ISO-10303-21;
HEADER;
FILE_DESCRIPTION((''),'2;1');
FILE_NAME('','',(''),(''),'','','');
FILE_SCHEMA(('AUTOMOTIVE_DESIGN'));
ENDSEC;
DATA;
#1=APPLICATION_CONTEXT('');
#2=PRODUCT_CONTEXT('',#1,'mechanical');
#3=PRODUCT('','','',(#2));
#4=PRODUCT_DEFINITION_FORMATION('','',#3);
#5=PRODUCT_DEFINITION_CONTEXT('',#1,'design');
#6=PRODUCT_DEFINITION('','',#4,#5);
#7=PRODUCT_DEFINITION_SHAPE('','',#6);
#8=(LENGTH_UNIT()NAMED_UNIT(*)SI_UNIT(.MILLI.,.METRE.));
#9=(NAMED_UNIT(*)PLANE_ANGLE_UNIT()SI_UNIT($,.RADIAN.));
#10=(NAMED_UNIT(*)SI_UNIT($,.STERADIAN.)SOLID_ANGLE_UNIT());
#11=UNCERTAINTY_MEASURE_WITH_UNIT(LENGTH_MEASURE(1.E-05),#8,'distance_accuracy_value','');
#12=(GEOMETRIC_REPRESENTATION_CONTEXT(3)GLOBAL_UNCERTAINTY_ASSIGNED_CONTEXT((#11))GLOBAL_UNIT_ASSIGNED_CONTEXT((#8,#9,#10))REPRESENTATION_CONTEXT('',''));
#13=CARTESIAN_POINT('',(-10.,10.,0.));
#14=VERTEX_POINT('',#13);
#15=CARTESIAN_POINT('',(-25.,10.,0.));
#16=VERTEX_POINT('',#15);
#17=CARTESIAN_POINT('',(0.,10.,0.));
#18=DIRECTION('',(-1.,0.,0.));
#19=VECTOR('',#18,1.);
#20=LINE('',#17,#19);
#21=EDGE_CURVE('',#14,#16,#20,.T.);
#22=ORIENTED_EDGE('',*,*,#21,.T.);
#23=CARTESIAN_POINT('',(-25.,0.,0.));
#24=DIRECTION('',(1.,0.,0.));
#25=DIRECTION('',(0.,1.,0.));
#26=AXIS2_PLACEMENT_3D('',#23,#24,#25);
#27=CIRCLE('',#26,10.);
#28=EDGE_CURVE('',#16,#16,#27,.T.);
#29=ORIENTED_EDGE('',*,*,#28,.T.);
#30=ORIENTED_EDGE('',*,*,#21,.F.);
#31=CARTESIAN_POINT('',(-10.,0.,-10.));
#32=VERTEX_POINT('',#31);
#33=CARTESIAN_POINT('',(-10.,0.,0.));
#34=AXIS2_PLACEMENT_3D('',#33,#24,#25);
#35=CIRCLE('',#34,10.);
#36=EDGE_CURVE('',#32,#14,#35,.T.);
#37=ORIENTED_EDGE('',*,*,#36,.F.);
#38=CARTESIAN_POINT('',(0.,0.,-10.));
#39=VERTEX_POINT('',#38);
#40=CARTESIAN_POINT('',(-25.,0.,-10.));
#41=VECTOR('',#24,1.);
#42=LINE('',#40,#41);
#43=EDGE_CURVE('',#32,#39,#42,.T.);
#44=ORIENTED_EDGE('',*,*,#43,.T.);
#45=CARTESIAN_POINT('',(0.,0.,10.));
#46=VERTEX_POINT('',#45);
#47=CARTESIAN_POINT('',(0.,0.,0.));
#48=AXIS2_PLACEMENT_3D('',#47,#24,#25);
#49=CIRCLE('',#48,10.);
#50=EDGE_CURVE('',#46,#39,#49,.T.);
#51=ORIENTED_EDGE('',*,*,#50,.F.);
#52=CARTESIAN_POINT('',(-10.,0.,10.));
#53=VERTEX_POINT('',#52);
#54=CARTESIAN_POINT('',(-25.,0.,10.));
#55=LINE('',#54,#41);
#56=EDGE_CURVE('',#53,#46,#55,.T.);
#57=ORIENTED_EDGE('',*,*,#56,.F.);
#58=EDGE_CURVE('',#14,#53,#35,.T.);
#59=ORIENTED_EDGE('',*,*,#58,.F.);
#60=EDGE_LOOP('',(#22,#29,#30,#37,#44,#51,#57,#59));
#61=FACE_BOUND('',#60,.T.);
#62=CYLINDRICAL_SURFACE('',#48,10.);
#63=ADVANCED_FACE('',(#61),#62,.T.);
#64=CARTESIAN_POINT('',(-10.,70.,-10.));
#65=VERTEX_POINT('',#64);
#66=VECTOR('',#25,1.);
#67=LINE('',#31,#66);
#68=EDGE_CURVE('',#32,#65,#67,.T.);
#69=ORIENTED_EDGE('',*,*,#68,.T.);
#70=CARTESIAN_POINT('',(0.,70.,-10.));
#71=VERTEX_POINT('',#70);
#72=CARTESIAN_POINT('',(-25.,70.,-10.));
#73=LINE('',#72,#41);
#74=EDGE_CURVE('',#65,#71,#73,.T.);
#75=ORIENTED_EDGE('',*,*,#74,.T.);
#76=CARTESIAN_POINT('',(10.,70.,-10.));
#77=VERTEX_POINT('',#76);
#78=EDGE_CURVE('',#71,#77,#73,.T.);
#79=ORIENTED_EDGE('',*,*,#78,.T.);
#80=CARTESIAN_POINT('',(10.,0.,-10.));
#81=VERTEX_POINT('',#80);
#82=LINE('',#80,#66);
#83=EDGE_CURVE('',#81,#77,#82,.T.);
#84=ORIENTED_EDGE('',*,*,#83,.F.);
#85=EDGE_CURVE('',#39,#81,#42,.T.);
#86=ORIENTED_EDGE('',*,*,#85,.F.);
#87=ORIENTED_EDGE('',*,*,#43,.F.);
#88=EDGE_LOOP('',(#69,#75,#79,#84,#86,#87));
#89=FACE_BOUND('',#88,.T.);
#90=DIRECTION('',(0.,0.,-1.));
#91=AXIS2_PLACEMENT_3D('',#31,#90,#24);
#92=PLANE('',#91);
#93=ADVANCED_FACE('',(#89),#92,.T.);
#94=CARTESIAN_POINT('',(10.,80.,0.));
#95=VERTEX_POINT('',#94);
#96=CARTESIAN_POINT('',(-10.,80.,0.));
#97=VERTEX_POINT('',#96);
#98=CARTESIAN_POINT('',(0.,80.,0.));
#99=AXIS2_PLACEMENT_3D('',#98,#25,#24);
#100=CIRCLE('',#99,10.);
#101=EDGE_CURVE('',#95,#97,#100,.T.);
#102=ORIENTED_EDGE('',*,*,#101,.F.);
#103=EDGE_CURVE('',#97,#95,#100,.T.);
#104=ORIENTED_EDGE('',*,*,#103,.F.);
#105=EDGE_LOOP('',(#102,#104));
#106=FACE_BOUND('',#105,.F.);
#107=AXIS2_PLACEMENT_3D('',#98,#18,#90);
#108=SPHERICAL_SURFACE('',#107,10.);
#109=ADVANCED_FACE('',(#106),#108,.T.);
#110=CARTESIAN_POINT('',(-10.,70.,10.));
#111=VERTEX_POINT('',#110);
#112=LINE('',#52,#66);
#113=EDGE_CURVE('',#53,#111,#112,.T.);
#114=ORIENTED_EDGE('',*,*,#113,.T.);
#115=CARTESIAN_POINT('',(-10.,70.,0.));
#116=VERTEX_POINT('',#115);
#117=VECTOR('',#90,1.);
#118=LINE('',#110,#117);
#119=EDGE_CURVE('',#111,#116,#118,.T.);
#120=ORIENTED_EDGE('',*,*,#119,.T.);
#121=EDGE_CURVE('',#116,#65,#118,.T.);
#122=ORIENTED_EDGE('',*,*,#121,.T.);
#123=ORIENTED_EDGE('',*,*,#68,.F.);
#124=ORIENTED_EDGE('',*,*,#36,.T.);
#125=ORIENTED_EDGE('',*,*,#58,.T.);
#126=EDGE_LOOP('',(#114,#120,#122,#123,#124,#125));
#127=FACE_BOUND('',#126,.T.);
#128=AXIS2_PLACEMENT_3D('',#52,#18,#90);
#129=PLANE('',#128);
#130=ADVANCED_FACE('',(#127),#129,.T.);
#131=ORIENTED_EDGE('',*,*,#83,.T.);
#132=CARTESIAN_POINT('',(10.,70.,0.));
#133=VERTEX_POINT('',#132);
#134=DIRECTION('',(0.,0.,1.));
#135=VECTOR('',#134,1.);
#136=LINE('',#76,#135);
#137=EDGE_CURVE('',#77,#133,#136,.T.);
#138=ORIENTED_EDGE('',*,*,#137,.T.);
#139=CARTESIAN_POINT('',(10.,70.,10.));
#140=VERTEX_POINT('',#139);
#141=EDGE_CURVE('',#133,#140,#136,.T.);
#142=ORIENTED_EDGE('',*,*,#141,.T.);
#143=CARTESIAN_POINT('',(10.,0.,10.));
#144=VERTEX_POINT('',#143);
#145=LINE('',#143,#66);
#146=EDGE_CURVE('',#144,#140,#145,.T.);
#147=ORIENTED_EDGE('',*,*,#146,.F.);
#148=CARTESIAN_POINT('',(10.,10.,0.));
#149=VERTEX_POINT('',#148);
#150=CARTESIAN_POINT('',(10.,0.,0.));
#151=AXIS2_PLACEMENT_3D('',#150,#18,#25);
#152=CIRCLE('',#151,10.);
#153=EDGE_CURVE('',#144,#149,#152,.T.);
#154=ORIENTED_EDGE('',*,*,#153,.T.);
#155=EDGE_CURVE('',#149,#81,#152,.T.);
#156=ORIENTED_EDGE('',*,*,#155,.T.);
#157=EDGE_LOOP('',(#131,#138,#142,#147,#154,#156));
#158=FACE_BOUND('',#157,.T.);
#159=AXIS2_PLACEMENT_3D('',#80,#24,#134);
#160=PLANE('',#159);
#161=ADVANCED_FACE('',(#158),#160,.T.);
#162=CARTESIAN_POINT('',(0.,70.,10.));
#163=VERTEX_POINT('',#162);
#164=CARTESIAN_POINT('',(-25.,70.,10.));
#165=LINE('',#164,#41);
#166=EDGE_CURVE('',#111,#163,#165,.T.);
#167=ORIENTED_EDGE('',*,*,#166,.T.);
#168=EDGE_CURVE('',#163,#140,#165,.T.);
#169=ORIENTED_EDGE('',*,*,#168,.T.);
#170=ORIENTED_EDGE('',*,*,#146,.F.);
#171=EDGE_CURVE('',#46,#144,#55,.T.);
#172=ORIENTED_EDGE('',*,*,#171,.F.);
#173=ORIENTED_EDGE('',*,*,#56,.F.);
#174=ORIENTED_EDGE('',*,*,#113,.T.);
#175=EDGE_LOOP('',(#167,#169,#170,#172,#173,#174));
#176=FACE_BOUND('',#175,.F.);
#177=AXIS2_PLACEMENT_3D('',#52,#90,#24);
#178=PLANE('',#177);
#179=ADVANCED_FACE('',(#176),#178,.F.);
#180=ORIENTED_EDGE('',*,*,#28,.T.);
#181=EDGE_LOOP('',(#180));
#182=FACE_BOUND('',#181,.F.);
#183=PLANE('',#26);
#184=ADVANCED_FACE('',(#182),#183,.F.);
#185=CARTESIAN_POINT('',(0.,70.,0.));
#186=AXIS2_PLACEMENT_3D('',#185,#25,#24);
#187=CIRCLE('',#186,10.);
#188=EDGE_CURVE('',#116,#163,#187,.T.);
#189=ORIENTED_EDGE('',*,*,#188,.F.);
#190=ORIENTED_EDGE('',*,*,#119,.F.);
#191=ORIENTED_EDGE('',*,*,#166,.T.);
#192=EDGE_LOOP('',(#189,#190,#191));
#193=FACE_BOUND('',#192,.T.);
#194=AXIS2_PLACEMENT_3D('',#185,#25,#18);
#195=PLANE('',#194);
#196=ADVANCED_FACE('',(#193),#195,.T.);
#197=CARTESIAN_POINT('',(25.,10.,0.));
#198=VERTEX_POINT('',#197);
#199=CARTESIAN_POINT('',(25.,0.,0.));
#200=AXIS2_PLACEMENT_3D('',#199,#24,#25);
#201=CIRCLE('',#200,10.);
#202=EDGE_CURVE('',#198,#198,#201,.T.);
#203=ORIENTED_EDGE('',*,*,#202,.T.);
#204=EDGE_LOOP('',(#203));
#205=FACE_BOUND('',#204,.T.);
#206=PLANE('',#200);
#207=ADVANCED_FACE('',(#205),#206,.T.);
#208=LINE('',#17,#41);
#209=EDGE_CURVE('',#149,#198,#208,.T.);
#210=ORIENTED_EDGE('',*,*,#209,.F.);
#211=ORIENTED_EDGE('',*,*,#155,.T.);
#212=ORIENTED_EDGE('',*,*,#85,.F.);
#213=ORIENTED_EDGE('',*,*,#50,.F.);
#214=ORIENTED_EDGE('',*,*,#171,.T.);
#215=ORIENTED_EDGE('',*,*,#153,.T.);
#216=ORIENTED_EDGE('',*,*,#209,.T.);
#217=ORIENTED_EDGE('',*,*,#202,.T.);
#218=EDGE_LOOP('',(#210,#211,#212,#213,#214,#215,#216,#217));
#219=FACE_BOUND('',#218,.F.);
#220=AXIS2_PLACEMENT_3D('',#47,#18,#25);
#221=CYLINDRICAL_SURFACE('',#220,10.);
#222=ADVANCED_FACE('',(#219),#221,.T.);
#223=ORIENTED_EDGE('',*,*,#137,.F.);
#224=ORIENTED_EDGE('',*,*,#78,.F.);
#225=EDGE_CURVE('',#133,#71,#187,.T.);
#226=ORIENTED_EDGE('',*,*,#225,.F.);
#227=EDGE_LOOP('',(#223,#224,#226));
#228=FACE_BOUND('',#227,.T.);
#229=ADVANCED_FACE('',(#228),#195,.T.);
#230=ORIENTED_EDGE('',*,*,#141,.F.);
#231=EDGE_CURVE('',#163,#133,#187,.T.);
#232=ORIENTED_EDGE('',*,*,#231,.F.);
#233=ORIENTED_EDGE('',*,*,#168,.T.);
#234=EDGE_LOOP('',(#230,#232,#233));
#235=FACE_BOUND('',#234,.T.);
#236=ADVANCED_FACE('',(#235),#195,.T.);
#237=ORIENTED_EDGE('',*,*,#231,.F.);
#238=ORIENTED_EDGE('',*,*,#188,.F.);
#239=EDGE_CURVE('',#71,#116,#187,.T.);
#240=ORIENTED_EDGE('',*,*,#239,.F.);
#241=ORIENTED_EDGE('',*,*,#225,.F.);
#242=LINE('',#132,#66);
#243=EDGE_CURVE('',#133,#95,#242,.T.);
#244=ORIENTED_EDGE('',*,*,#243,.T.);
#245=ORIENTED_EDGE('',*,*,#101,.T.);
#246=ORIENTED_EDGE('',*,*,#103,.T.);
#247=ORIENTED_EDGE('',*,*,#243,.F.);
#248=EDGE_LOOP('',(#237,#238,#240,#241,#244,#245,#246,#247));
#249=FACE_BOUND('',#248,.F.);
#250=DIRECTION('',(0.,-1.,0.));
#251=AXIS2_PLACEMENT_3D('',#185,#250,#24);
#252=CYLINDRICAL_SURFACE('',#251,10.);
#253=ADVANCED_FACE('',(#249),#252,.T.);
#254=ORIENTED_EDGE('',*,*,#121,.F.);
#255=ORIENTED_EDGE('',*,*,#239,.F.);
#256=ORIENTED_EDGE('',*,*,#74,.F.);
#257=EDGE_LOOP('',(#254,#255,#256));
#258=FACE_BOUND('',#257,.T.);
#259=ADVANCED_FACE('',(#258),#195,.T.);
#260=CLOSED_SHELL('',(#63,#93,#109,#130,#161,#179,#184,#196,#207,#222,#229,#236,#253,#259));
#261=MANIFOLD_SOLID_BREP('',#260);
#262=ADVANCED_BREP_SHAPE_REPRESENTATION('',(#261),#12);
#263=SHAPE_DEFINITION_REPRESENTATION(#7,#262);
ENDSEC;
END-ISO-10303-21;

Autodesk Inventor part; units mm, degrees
ref_plane "YZ Plane" through (0, 0, 0) normal (1, 0, 0) x (0, 1, 0)
ref_plane "XZ Plane" through (0, 0, 0) normal (0, 1, 0) x (-1, 0, 0)
ref_plane "XY Plane" through (0, 0, 0) normal (0, 0, 1) x (1, 0, 0)
sketch "스케치5" plane through (0, 0, 0) normal (1, 0, 0) x (0, 1, 0)
  circle A0 centre (0, 0) radius 10
  dimension "d11" = 20
extrude "돌출4" add sketch "스케치5" along normal mid plane 50
sketch "스케치6" plane through (0, 0, 0) normal (0, 1, 0) x (-1, 0, 0)
  line L0 (25, 10) -> (-25, 10) projected
  line L1 (25, -10) -> (-25, -10) projected
  line L2 (-10, 10) -> (10, 10)
  line L3 (10, 10) -> (10, -10)
  line L4 (10, -10) -> (-10, -10)
  line L5 (-10, -10) -> (-10, 10)
  line L6 (25, -10) -> (25, 10) projected
  point P0 (0, 0)
  dimension "d14" = 20
  dimension "d15" = 15
extrude "돌출5" add sketch "스케치6" along normal blind 70 contours L3 L1 L5 L0
sketch "스케치7" plane through (0, 70, 0) normal (0, 1, 0) x (1, 0, 0)
  circle A0 centre (0, 0) radius 10
  dimension "d18" = 20
extrude "돌출6" add sketch "스케치7" along normal blind 10
sketch "스케치8" plane through (0, 80, 0) normal (0, 1, 0) x (1, 0, 0)
  circle A0 centre (0, 0) radius 10 projected
  line L0 (10, -10) -> (10, 0) projected
  line L1 (-10, 0) -> (10, 0)
revolve "회전2" add sketch "스케치8" angle 360 about axis through (-10, 80, 0) along (1, 0, 0) picked at (2.495, 2.2104) contours L1 A0
properties part number "L3_0.1" material "ABS 플라스틱"
